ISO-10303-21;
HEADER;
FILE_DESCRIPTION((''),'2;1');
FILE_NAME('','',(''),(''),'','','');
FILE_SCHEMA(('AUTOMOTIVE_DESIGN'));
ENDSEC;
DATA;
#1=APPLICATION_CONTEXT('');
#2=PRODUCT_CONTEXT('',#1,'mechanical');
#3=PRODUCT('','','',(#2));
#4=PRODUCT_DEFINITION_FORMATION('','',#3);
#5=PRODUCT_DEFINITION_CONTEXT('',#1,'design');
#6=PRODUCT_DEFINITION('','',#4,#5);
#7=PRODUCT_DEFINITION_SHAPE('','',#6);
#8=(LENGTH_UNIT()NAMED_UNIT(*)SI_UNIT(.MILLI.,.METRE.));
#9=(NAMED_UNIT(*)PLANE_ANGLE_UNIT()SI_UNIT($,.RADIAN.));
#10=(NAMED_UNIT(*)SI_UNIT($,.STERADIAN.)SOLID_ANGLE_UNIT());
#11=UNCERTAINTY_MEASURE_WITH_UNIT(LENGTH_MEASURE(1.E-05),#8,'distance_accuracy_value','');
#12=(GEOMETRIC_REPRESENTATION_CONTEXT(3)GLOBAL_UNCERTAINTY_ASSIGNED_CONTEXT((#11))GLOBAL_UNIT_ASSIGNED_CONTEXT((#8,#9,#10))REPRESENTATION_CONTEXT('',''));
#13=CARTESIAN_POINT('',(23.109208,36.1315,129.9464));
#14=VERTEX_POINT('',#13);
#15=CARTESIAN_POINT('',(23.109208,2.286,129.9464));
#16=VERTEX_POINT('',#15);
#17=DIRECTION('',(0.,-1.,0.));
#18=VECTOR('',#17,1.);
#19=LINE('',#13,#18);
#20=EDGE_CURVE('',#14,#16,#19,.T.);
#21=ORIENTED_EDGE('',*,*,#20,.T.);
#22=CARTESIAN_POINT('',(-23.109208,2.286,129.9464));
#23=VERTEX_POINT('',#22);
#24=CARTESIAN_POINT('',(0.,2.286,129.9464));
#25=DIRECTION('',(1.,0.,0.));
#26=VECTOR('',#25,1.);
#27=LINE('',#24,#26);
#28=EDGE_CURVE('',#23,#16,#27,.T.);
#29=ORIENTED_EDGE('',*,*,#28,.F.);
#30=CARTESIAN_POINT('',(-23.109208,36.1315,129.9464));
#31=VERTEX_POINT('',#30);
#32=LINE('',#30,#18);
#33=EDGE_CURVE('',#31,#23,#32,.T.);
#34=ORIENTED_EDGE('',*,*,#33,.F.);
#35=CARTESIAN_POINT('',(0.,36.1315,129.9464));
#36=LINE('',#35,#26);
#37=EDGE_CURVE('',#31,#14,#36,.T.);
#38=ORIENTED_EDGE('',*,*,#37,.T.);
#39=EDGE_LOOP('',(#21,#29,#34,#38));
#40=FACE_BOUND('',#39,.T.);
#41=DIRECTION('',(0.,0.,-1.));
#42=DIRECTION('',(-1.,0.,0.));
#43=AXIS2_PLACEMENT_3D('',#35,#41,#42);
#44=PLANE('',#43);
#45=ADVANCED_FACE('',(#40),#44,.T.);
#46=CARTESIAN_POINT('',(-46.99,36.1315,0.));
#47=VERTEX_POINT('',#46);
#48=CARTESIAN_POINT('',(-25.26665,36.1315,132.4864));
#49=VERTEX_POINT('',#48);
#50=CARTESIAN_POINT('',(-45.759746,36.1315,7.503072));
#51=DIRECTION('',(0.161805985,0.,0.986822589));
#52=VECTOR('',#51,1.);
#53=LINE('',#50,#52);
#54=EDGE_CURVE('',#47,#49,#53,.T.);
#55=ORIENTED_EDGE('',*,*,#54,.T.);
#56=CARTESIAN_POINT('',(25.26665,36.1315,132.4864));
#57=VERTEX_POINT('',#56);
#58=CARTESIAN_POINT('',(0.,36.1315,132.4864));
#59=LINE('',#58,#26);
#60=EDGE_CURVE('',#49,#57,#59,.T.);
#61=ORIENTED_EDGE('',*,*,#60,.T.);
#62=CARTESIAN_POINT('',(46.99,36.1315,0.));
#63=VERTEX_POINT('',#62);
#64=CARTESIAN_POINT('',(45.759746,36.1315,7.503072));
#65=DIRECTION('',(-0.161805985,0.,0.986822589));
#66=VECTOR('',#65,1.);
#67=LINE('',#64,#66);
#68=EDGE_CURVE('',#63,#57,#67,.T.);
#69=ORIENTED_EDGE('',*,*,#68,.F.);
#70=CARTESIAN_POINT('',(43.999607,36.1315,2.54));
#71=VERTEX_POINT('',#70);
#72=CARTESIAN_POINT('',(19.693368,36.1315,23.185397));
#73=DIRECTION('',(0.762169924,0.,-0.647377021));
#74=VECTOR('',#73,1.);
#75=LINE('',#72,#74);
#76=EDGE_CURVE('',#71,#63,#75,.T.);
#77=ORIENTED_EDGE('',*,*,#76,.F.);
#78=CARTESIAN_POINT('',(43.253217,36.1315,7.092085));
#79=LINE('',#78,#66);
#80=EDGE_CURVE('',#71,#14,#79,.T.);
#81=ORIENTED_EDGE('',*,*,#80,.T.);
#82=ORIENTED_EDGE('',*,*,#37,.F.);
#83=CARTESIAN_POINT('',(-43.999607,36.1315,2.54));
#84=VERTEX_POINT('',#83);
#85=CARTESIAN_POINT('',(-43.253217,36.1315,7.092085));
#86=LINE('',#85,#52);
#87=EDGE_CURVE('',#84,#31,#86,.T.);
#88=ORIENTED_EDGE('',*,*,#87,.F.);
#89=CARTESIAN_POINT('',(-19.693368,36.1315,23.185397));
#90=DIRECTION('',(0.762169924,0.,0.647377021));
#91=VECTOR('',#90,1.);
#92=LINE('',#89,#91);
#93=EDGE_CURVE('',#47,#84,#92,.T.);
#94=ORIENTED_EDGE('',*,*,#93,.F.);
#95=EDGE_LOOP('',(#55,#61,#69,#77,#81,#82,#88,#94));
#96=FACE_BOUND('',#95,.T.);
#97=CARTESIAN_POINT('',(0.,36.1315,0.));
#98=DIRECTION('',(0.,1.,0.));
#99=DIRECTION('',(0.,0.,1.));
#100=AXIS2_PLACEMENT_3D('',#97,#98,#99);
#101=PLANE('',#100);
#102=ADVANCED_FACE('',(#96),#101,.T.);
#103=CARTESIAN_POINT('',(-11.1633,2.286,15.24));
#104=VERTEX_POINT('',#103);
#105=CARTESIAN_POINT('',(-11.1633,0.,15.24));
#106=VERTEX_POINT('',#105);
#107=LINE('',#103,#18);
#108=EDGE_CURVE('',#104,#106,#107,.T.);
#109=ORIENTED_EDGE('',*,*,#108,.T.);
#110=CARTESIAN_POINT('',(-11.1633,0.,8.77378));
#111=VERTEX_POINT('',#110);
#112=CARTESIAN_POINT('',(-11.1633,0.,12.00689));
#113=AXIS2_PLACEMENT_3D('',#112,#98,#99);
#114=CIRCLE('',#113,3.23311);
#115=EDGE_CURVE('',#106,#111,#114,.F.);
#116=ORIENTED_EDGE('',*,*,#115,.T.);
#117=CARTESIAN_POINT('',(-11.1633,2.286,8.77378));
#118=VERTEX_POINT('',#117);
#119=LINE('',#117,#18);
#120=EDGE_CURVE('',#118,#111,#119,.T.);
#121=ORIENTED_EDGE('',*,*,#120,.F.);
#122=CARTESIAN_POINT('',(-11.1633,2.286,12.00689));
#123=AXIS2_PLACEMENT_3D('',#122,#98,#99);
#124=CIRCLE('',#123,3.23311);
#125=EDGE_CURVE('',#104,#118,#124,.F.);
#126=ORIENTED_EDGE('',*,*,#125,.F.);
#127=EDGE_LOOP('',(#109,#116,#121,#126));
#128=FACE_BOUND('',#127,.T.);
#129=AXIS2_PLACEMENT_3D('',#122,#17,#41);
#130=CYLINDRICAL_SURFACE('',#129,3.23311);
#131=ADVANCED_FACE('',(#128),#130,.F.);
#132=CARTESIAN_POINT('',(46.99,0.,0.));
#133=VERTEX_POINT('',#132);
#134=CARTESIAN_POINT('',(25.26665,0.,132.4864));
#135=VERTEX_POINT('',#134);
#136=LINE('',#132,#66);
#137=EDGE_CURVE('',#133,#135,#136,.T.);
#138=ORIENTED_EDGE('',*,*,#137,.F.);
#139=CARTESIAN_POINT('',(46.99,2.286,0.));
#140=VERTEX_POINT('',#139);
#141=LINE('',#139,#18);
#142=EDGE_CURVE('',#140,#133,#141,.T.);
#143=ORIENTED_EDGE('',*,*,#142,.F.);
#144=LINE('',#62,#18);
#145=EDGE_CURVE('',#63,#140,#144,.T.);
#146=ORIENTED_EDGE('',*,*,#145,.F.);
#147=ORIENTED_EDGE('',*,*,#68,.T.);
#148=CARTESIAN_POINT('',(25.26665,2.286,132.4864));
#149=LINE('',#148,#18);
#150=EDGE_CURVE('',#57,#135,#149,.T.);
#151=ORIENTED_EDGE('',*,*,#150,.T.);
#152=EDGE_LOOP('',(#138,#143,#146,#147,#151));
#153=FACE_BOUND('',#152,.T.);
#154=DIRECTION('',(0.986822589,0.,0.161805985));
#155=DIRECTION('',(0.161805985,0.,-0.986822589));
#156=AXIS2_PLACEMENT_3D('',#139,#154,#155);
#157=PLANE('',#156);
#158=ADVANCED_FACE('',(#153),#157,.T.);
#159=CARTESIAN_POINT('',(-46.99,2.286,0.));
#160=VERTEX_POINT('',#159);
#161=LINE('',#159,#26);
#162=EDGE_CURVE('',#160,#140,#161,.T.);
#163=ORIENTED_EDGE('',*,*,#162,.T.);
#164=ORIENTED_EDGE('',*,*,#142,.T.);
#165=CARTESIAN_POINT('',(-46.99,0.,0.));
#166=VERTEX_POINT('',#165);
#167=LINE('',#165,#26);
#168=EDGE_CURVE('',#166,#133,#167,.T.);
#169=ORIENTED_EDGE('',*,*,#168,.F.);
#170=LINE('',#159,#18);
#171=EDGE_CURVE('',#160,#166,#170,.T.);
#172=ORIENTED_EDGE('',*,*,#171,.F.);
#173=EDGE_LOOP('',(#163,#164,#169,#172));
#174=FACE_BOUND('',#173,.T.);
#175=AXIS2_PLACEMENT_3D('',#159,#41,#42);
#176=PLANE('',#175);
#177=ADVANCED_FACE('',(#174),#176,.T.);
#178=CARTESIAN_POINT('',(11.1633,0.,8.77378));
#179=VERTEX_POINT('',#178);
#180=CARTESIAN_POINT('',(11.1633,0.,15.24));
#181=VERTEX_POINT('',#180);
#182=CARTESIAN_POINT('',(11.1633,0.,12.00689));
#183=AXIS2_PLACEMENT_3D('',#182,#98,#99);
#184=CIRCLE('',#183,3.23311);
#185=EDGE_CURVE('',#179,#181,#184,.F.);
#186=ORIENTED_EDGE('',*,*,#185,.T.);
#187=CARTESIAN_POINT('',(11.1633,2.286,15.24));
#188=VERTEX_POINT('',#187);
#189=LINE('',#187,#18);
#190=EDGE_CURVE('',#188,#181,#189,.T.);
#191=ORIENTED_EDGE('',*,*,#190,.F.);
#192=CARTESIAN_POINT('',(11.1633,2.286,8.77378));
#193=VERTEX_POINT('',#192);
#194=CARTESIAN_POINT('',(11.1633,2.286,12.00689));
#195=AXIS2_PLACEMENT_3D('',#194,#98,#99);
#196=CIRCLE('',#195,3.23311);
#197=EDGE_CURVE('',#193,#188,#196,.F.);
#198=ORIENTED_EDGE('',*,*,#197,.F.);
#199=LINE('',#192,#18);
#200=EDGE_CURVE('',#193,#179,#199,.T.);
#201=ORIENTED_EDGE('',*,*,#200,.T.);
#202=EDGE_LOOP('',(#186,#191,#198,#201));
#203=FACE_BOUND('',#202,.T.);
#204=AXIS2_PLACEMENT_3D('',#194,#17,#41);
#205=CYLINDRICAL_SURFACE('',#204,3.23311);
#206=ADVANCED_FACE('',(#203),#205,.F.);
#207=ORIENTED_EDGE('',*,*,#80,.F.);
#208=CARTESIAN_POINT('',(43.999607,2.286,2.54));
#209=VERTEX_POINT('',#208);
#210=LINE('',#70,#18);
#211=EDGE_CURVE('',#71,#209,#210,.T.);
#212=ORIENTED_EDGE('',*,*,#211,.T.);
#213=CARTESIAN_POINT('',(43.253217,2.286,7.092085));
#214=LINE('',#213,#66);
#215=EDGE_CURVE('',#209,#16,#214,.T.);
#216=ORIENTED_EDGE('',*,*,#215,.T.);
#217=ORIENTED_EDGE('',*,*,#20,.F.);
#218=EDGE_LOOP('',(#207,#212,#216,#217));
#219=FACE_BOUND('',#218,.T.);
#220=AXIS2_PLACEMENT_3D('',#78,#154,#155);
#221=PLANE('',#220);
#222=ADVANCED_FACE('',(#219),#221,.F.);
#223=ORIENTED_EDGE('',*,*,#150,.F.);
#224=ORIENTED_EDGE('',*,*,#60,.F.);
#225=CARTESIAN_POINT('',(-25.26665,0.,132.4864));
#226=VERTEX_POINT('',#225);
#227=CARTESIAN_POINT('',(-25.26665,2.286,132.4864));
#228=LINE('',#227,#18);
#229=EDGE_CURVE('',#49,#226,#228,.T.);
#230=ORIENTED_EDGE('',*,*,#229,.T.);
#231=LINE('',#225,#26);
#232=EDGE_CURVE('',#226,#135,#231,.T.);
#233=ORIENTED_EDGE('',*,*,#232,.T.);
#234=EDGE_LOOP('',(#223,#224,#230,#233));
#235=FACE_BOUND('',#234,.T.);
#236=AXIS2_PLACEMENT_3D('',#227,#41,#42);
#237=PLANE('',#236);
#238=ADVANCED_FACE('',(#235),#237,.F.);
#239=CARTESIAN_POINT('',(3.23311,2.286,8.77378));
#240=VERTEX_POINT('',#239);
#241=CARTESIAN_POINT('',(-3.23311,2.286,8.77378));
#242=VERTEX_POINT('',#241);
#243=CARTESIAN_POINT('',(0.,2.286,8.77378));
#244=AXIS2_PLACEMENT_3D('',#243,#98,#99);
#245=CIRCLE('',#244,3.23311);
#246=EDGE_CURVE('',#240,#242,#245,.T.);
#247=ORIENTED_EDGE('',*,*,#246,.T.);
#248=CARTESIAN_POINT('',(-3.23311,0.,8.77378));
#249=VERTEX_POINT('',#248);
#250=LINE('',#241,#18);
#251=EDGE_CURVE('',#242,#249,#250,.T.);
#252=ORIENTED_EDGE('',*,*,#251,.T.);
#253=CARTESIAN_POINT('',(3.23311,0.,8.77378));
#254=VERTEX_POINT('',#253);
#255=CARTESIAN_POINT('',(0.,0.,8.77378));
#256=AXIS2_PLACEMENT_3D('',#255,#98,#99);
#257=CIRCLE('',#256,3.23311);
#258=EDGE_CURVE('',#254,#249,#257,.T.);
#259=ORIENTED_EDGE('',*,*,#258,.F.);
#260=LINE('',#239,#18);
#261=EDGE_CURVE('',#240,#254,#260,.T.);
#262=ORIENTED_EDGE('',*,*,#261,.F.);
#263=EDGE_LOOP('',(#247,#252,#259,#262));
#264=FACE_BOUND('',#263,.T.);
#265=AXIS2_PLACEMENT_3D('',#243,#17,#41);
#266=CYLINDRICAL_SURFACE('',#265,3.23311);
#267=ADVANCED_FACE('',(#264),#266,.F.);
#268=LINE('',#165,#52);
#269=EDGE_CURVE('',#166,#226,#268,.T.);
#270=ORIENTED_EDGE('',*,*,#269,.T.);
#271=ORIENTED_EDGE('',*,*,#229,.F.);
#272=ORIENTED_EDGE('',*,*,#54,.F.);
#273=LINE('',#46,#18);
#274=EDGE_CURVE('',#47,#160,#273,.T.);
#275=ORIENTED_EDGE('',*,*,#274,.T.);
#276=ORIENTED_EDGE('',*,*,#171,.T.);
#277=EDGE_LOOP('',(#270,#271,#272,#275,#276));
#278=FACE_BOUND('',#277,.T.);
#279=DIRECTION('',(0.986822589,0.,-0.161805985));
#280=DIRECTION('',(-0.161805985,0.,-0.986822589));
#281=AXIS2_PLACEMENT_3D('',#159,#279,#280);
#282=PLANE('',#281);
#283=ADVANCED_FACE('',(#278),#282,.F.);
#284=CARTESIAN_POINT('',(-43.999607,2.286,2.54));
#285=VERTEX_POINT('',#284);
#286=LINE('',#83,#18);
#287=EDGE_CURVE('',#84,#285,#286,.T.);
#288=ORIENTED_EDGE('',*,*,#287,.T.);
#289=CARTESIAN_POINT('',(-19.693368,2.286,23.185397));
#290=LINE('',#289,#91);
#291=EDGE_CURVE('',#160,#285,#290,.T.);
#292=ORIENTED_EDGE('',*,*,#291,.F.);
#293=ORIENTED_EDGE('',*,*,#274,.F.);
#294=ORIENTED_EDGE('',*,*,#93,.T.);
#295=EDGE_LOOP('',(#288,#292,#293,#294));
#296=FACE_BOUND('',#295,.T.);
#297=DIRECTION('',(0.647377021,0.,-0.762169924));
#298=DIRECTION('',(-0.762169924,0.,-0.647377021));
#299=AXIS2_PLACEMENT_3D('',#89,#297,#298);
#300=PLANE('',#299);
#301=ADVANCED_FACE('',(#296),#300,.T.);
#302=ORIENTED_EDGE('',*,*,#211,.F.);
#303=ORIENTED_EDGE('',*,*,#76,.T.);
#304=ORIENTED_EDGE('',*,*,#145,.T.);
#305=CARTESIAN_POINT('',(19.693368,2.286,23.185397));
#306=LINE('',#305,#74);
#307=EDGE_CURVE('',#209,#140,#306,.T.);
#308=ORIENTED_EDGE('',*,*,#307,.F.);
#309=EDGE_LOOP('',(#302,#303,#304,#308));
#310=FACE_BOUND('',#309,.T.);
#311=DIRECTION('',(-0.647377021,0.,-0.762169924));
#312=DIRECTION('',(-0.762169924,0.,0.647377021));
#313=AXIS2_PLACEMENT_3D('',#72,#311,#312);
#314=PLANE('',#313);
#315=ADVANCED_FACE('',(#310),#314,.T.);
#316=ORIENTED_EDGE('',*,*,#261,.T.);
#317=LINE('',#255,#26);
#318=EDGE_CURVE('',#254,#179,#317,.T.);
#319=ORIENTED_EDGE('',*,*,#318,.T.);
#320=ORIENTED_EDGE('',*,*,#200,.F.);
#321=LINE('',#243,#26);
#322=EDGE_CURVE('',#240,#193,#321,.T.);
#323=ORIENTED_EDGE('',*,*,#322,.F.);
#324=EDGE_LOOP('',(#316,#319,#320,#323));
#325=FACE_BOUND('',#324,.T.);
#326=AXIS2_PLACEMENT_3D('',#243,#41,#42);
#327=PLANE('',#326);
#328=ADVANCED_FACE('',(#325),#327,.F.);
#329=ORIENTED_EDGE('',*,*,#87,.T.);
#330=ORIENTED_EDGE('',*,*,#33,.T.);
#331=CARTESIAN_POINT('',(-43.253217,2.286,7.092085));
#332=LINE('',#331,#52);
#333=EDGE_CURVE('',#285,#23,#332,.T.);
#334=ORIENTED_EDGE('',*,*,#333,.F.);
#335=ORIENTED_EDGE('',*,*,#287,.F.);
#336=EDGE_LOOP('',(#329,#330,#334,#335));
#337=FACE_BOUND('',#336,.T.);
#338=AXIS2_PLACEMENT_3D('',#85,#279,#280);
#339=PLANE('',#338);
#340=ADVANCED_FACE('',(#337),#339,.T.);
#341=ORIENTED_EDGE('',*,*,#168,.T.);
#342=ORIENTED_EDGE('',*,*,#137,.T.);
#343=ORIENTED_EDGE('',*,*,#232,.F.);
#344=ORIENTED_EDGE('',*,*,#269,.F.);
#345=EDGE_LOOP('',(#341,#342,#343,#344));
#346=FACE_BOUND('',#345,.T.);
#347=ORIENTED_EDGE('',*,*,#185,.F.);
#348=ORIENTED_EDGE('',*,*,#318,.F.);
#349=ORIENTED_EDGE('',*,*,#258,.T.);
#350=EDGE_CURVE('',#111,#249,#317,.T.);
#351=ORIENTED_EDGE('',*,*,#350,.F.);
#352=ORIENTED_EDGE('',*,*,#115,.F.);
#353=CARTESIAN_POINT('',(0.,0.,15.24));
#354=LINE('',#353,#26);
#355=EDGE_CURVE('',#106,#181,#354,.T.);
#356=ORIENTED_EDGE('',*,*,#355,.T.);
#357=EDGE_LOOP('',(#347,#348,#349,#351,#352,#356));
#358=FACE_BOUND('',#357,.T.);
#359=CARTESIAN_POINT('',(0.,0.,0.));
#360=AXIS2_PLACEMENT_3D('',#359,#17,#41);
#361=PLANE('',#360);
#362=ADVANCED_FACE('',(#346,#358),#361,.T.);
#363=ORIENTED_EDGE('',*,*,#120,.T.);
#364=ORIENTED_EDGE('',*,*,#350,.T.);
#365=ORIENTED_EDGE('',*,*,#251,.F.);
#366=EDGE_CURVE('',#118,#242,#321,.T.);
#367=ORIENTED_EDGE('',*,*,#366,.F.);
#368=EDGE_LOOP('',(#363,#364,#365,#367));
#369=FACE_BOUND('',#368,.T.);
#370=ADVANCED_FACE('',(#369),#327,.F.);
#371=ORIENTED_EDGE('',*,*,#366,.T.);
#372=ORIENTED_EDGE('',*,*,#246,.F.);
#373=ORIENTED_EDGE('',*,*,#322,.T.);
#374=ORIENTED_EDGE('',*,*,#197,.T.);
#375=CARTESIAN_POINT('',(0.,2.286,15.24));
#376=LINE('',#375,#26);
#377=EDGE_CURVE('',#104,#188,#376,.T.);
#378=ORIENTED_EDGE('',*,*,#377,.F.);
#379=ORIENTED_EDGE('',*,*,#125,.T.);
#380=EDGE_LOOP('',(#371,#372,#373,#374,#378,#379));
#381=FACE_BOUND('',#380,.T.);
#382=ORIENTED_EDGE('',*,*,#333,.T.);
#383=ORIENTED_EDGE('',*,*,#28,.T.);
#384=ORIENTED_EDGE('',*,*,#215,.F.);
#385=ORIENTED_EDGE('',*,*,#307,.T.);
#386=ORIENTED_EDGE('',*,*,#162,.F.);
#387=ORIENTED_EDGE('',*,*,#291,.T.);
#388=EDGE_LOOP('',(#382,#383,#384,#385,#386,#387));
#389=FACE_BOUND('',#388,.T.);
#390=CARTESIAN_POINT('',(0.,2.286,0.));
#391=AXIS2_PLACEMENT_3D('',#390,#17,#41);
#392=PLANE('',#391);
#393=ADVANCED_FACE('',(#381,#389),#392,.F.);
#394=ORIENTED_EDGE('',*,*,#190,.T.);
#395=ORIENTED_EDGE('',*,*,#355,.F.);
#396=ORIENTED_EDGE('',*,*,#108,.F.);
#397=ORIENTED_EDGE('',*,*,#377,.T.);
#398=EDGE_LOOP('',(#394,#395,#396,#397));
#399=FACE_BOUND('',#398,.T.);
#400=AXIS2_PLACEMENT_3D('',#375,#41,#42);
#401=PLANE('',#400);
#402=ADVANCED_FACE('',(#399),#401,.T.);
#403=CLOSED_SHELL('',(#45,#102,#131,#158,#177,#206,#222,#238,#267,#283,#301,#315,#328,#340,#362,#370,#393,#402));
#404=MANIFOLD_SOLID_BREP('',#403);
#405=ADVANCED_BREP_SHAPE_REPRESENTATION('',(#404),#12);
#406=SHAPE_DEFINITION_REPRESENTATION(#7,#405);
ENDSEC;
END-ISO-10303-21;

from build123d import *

# Parameters (mm, degrees)
BASE_DEPTH  = 2.286
WALLS_DEPTH = 36.1315


with BuildPart() as part:
    # Sketch1 → Base (new body)
    with BuildSketch(Plane(origin=(0, 0, 0), x_dir=(1, 0, 0), z_dir=(0, 1, 0))):
        Polygon((25.26665, -132.4864), (46.99, 0), (-46.99, 0), (-25.26665, -132.4864), align=None)
        with BuildLine():
            ThreePointArc((11.1633, -8.773780407), (14.396409796, -12.006890204), (11.1633, -15.24))
            Line((11.1633, -15.24), (-11.1633, -15.24))
            ThreePointArc((-11.1633, -15.24), (-14.396409796, -12.006890204), (-11.1633, -8.773780407))
            Line((-11.1633, -8.773780407), (-3.233109796, -8.773780407))
            ThreePointArc((-3.233109796, -8.773780407), (0, -5.540670611), (3.233109796, -8.773780407))
            Line((3.233109796, -8.773780407), (11.1633, -8.773780407))
        make_face(mode=Mode.SUBTRACT)
    extrude(amount=BASE_DEPTH)

    # Sketch1<4> → Walls (add)
    with BuildSketch(Plane(origin=(0, 0, 0), x_dir=(1, 0, 0), z_dir=(0, 1, 0))):
        Polygon((-43.999607163, -2.54), (-46.99, 0), (-25.26665, -132.4864), (25.26665, -132.4864), (46.99, 0), (43.999607163, -2.54), (23.1092077, -129.9464), (-23.1092077, -129.9464), align=None)
    extrude(amount=WALLS_DEPTH)


solid = part.part
